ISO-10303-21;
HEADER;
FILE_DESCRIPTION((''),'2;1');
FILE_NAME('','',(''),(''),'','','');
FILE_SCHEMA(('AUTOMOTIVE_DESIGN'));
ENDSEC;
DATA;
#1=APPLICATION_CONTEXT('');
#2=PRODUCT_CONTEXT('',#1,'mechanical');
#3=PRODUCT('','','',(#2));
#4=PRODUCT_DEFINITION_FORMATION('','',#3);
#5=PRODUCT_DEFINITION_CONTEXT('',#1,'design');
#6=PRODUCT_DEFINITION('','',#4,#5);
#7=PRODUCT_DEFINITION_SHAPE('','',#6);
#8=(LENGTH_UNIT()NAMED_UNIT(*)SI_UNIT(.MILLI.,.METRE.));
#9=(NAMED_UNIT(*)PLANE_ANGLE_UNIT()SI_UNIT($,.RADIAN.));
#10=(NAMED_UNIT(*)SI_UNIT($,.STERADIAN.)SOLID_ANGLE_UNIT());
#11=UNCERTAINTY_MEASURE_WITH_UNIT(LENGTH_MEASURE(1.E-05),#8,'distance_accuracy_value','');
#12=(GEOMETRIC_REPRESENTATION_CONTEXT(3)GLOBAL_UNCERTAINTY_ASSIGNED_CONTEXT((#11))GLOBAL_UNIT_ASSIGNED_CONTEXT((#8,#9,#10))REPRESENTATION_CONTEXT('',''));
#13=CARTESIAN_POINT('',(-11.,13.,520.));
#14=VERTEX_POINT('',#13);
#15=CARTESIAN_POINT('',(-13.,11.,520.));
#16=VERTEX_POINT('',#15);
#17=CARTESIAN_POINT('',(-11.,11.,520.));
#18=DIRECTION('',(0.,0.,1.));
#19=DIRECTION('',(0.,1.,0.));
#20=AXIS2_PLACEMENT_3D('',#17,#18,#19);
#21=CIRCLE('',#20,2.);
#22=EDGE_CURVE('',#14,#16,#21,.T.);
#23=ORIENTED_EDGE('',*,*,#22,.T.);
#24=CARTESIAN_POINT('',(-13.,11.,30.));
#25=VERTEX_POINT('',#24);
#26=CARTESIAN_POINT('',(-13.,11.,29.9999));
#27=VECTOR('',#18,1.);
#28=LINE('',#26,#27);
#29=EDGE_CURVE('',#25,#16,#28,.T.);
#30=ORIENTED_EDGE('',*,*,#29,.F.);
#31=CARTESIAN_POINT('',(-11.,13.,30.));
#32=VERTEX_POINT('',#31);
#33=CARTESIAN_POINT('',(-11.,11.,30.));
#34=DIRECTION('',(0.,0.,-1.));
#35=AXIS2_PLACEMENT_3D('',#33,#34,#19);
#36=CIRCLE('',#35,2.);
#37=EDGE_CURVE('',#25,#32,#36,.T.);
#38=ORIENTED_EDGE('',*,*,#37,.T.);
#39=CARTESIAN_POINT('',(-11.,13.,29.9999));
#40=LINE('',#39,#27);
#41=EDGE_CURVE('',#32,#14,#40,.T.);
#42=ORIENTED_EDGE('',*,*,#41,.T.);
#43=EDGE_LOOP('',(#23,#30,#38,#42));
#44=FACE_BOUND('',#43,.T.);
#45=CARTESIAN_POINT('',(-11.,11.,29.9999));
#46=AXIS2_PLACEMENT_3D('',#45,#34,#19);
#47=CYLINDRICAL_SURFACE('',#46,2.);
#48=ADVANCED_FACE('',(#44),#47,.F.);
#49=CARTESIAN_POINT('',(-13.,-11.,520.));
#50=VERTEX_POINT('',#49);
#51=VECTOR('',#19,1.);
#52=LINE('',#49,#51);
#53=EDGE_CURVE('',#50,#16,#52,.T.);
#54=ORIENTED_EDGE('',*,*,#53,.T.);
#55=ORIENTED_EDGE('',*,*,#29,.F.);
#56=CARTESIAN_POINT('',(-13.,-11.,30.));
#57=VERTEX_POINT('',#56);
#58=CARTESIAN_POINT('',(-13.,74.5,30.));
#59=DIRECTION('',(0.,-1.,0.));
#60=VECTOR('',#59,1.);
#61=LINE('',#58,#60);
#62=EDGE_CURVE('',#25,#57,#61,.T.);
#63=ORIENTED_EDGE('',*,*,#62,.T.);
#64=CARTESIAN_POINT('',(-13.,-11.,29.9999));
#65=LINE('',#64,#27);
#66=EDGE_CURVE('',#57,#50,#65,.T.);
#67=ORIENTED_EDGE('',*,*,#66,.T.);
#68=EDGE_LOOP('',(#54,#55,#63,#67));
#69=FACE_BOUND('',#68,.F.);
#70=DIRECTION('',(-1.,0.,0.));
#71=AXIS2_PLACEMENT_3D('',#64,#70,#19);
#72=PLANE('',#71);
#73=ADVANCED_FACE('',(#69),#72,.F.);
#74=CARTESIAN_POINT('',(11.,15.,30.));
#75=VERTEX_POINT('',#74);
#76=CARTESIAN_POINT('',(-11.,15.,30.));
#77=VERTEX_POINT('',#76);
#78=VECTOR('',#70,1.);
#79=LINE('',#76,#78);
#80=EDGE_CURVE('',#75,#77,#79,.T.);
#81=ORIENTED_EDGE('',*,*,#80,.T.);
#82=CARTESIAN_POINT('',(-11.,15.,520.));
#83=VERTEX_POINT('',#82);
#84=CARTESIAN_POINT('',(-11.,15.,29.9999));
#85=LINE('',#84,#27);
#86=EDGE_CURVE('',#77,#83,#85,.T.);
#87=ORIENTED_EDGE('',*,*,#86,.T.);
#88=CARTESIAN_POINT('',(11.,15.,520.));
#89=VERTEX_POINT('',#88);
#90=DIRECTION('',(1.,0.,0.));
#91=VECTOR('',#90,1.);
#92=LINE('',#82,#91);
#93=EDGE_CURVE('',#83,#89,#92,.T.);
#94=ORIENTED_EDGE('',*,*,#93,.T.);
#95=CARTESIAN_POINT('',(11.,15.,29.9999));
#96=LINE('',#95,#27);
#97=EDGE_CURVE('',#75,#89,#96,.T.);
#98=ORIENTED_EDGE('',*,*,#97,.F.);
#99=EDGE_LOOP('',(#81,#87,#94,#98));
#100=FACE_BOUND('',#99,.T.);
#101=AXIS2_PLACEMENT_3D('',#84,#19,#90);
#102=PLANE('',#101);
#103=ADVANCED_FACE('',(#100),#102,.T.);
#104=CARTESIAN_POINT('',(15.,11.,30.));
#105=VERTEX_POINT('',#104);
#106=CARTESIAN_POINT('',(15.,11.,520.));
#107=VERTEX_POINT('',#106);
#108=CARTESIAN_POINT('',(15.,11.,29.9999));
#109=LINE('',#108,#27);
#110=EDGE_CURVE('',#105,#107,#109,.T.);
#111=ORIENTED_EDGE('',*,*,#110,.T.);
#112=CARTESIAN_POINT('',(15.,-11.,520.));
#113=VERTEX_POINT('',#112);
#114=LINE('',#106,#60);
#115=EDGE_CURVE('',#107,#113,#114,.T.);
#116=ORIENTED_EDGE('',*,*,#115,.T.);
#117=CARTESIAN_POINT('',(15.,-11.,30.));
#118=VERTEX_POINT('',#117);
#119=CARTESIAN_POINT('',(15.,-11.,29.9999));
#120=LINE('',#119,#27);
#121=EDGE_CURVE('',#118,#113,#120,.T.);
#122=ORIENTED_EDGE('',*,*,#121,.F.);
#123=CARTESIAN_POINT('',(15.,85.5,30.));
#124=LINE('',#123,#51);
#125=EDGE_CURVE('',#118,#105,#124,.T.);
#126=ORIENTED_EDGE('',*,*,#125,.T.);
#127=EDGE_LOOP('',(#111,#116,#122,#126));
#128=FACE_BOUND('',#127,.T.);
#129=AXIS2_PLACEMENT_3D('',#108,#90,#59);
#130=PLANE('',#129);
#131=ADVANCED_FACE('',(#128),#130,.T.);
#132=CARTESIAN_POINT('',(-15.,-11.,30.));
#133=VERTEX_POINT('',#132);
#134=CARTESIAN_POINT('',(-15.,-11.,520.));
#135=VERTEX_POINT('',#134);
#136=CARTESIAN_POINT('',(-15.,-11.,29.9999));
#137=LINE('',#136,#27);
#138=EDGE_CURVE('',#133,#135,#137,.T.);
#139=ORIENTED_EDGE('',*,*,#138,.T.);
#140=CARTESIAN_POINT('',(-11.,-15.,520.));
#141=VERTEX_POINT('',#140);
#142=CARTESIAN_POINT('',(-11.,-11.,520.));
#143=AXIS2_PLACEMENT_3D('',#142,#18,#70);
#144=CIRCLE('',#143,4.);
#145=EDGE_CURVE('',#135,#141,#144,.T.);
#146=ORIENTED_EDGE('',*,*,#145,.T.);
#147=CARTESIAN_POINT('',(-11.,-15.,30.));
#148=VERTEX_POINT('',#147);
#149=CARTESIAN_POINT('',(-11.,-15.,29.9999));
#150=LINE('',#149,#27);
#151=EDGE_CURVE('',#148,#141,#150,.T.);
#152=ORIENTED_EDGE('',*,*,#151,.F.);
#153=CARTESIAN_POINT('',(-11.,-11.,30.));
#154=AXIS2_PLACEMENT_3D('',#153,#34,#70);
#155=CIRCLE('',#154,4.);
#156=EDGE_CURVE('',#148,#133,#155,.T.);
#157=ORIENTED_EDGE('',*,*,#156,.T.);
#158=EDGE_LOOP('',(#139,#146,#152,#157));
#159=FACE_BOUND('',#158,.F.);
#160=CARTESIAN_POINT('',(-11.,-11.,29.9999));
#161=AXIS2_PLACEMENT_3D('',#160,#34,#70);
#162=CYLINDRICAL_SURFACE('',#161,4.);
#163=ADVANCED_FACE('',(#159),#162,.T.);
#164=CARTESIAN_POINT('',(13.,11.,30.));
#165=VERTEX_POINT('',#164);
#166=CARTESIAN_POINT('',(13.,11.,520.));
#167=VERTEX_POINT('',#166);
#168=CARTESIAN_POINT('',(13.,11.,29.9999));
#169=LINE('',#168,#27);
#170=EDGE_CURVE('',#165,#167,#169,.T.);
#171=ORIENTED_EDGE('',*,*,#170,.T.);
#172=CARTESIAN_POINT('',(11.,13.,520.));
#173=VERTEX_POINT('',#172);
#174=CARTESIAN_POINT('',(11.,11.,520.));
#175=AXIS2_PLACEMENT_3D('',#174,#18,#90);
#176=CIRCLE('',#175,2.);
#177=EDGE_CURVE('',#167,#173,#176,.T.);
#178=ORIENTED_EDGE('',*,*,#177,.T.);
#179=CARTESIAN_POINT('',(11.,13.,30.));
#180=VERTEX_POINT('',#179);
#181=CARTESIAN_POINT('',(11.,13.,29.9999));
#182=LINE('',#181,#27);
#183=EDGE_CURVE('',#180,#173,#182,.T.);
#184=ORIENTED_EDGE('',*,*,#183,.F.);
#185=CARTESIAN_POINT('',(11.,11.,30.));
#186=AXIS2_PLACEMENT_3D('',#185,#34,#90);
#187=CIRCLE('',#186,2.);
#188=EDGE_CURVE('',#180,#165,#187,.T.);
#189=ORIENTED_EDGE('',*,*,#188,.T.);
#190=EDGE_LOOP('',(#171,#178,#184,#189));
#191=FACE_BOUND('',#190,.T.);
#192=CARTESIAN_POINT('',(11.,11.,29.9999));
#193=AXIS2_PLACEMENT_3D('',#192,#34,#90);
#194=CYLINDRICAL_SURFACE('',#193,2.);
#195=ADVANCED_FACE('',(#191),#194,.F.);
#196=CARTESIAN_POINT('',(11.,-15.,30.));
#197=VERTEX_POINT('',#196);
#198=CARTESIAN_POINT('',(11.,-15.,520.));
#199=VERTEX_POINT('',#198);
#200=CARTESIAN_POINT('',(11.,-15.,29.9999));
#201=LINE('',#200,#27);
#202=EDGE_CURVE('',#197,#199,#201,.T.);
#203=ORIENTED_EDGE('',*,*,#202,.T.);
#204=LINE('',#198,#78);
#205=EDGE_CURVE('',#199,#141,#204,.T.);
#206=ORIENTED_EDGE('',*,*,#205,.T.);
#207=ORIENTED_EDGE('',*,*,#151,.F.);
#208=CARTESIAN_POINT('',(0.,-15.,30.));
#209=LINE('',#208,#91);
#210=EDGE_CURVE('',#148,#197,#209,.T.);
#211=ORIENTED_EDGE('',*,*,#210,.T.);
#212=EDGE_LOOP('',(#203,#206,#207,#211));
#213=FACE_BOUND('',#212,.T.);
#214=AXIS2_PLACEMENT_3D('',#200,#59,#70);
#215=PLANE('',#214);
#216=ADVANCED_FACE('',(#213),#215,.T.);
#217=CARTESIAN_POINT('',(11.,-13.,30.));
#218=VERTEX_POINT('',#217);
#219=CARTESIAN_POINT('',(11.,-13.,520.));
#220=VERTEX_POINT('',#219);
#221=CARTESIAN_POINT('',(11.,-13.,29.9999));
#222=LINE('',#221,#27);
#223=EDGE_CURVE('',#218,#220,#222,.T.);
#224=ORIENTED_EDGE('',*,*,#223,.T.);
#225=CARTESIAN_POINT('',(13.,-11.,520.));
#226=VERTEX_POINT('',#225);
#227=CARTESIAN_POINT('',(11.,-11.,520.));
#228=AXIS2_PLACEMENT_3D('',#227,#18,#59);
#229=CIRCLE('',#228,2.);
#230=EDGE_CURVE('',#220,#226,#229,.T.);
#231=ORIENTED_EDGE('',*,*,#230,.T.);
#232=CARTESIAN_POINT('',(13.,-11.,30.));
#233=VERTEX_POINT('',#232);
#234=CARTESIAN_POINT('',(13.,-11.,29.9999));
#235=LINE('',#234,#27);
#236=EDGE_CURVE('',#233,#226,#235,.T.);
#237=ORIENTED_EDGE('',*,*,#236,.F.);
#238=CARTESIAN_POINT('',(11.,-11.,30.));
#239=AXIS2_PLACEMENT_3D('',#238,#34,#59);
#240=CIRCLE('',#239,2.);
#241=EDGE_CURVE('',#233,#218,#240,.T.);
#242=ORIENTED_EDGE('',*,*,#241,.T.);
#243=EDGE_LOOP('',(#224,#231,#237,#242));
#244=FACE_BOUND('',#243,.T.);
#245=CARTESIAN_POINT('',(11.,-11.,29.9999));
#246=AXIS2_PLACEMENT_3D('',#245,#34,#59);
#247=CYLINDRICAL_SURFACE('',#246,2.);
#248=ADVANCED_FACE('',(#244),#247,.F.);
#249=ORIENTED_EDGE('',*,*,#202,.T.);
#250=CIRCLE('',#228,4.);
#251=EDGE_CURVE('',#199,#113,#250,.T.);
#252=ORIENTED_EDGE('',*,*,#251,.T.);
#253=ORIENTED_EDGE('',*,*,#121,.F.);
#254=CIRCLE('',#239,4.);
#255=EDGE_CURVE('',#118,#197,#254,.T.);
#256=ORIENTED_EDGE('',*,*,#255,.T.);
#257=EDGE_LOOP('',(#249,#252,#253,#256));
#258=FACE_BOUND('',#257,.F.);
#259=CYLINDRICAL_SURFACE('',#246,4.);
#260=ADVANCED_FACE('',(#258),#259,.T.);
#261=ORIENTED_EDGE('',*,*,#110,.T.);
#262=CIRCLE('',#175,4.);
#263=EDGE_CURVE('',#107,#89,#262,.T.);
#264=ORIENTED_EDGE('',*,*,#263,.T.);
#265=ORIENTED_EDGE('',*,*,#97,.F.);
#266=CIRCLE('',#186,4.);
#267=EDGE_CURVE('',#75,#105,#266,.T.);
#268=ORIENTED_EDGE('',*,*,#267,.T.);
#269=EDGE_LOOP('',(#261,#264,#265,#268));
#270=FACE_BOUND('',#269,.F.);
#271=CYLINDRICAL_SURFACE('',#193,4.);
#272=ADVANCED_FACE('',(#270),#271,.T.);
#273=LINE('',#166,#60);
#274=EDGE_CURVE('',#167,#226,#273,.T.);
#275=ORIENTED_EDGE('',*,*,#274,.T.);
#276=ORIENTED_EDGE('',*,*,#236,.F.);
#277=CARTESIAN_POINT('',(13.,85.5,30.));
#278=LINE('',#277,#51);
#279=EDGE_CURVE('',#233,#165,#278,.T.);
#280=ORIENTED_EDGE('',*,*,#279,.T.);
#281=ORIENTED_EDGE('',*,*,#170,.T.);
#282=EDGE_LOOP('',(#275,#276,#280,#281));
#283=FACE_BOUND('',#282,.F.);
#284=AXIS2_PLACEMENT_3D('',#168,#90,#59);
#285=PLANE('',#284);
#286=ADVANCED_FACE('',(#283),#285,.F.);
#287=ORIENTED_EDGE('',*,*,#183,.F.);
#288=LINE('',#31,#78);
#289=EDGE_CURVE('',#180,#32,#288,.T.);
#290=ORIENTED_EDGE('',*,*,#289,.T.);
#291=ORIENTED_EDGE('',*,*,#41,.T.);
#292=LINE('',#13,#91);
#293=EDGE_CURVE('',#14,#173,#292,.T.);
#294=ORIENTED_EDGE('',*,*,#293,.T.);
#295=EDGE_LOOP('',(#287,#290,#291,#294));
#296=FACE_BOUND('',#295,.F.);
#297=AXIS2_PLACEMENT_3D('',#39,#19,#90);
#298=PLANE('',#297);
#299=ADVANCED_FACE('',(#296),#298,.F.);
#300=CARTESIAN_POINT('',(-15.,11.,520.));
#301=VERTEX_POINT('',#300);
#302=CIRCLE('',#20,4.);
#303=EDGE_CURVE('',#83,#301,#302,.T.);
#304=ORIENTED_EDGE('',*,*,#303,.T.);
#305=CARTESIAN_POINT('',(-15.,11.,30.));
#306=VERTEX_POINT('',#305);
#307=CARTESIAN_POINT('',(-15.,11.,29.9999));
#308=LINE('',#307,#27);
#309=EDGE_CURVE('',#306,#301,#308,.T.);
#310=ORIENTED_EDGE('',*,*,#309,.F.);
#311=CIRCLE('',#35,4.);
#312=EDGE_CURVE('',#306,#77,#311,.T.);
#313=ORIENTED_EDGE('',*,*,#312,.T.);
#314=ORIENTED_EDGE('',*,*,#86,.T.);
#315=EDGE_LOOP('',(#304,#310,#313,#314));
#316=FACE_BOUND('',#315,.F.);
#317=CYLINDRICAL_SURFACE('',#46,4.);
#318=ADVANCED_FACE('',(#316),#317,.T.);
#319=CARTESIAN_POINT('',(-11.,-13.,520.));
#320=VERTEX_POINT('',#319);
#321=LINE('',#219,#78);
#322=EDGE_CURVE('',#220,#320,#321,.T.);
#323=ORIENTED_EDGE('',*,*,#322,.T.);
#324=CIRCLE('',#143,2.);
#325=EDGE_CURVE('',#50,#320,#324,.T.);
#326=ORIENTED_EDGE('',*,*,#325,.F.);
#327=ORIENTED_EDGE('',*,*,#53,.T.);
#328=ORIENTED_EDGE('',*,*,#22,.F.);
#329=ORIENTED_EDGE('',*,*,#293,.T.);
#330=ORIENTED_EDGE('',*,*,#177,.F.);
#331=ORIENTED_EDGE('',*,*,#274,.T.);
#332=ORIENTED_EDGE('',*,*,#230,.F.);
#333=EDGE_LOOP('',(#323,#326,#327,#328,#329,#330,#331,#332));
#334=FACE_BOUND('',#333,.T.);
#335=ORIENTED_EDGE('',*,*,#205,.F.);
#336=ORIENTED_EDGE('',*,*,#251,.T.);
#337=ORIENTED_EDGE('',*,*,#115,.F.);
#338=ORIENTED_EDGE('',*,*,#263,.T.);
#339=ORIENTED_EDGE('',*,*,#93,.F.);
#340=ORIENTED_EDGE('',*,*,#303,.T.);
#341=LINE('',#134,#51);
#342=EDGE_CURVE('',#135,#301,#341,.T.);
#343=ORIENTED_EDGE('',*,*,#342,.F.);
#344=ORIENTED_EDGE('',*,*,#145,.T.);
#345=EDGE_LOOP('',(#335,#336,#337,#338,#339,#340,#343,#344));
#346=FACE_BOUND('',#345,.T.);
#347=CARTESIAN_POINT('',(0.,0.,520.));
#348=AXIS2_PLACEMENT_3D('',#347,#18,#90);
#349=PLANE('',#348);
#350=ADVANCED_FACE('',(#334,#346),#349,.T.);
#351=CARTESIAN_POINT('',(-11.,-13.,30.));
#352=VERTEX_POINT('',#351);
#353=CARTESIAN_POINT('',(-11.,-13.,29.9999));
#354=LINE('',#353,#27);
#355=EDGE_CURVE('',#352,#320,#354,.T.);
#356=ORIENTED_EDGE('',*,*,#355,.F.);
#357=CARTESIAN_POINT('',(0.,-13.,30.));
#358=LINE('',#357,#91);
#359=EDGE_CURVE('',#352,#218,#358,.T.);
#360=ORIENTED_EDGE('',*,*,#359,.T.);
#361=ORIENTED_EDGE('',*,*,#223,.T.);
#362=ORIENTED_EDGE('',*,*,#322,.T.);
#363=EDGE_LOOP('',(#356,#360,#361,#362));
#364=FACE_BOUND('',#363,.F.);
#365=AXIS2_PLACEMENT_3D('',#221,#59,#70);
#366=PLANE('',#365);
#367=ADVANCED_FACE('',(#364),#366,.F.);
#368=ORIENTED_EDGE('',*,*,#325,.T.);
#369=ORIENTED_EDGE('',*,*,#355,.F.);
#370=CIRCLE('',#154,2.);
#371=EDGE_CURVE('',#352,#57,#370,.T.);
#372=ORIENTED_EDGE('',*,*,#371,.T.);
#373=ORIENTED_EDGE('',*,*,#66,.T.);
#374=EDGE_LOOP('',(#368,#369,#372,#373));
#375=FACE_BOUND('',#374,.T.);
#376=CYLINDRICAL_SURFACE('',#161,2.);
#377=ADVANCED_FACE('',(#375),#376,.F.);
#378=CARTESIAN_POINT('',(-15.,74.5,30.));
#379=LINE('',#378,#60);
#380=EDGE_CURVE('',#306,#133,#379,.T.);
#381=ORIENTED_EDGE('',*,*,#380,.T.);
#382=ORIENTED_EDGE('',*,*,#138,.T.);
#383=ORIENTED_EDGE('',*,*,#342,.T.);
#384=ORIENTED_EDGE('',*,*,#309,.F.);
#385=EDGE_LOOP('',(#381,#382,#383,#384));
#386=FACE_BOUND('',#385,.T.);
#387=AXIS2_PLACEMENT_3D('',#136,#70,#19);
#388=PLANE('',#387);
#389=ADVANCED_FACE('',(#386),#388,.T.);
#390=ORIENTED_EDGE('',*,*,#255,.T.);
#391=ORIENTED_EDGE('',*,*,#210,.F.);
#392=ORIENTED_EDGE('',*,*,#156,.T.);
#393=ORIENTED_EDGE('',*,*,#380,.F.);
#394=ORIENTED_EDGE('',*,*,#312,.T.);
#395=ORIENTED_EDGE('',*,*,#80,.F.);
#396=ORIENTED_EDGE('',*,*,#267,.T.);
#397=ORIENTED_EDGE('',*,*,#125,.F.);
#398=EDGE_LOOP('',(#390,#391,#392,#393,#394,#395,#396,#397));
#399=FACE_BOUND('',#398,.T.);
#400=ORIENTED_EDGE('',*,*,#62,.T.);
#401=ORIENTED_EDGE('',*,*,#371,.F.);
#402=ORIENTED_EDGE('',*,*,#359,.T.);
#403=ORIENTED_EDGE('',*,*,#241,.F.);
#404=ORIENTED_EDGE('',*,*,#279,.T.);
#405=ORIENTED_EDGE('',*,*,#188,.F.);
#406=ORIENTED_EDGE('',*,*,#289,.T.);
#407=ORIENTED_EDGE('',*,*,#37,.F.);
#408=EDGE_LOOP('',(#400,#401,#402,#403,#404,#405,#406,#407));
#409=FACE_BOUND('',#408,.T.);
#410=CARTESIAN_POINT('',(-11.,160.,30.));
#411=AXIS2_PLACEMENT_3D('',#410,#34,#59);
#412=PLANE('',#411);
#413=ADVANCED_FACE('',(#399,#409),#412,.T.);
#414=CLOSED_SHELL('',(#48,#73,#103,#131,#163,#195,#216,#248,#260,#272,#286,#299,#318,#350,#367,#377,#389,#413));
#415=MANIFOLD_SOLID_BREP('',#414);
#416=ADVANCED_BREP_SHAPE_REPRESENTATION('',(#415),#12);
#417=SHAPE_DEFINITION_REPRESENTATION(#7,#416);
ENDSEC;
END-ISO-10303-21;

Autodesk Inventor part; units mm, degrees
ref_plane "Plano inicial" through (0, 0, 29.9999) normal (0, 0, 1) x (1, 0, 0)
ref_plane "Plano final" through (0, 0, 520) normal (0, 0, 1) x (1, 0, 0)
sketch "Esboço" plane through (0, 0, 0) normal (0, 0, 1) x (1, 0, 0)
  line L0 (-15, -11) -> (-15, 11)
  line L1 (-11, 15) -> (11, 15)
  line L2 (15, 11) -> (15, -11)
  line L3 (11, -15) -> (-11, -15)
  arc A0 (-15, -11) -> (-11, -15) centre (-11, -11) ccw
  arc A1 (15, 11) -> (11, 15) centre (11, 11) ccw
  arc A2 (-11, 15) -> (-15, 11) centre (-11, 11) ccw
  arc A3 (11, -15) -> (15, -11) centre (11, -11) ccw
  arc A4 (-11, 13) -> (-13, 11) centre (-11, 11) ccw
  line L4 (-11, 13) -> (11, 13)
  arc A5 (13, 11) -> (11, 13) centre (11, 11) ccw
  line L5 (13, 11) -> (13, -11)
  arc A6 (11, -13) -> (13, -11) centre (11, -11) ccw
  line L6 (11, -13) -> (-11, -13)
  arc A7 (-13, -11) -> (-11, -13) centre (-11, -11) ccw
  line L7 (-13, -11) -> (-13, 11)
  line L8 (0, 22.1598) -> (0, -22.1598) construction
  line L9 (-22.1598, 0) -> (22.1598, 0) construction
  dimension "d7" = 4
  dimension "d9" = 30
  dimension "d11" = 30
  dimension "d12" = 2
  dimension "d15" = 15
  dimension "d16" = 15
extrude "Corpo" add sketch "Esboço" along normal up to surface (490.0001 mm away) from surface at 29.9999
sketch "Sketch3" plane through (0, 0, 0) normal (0, 0, 1) x (1, 0, 0)
  line L0 (0, 0) -> (10, 0)
ref_plane "Work Plane3" through (0, 0, 0) normal (0, -1, 0) x (1, 0, 0)
sketch "Sketch4" plane through (0, 0, 0) normal (0, -1, 0) x (1, 0, 0)
  line L0 (-2, 29.9999) -> (12, 29.9999)
  line L1 (-2, 520) -> (12, 520)
  dimension "d18" = 490.0001
ref_plane "Plano de trabalho4" through (-11, 160, 30) normal (0, 0, -1) x (-1, 0, 0)
split "Dividir1" plane through (-11, 160, 30) removes the side toward (0, 0, -1)
ref_plane "Plano de trabalho5" through (11, 160, 520) normal (0, 0, 1) x (1, 0, 0)
split "Dividir2" plane through (11, 160, 520) removes the side toward (0, 0, 1)
equation "\"d7\" = G_IR"
equation "\"d9\" = G_W"
equation "\"d11\" = G_H"
equation "\"d12\" = G_T"
equation "\"d15\" = 0.5 * d9"
equation "\"d16\" = 0.5 * d11"
equation "\"d3\" = G_L"
equation "\"G_W\" = 30"
equation "\"G_H\" = 30"
equation "\"G_T\" = 2"
equation "\"G_IR\" = 4"
equation "\"G_L\" = d18"
equation "\"G_OFFSET_START\" = -29.99991"
equation "\"d13\" = -G_OFFSET_START"
properties part number "ISO 10799-2 - 30x30x2 - 490" material "Aço, suave"
